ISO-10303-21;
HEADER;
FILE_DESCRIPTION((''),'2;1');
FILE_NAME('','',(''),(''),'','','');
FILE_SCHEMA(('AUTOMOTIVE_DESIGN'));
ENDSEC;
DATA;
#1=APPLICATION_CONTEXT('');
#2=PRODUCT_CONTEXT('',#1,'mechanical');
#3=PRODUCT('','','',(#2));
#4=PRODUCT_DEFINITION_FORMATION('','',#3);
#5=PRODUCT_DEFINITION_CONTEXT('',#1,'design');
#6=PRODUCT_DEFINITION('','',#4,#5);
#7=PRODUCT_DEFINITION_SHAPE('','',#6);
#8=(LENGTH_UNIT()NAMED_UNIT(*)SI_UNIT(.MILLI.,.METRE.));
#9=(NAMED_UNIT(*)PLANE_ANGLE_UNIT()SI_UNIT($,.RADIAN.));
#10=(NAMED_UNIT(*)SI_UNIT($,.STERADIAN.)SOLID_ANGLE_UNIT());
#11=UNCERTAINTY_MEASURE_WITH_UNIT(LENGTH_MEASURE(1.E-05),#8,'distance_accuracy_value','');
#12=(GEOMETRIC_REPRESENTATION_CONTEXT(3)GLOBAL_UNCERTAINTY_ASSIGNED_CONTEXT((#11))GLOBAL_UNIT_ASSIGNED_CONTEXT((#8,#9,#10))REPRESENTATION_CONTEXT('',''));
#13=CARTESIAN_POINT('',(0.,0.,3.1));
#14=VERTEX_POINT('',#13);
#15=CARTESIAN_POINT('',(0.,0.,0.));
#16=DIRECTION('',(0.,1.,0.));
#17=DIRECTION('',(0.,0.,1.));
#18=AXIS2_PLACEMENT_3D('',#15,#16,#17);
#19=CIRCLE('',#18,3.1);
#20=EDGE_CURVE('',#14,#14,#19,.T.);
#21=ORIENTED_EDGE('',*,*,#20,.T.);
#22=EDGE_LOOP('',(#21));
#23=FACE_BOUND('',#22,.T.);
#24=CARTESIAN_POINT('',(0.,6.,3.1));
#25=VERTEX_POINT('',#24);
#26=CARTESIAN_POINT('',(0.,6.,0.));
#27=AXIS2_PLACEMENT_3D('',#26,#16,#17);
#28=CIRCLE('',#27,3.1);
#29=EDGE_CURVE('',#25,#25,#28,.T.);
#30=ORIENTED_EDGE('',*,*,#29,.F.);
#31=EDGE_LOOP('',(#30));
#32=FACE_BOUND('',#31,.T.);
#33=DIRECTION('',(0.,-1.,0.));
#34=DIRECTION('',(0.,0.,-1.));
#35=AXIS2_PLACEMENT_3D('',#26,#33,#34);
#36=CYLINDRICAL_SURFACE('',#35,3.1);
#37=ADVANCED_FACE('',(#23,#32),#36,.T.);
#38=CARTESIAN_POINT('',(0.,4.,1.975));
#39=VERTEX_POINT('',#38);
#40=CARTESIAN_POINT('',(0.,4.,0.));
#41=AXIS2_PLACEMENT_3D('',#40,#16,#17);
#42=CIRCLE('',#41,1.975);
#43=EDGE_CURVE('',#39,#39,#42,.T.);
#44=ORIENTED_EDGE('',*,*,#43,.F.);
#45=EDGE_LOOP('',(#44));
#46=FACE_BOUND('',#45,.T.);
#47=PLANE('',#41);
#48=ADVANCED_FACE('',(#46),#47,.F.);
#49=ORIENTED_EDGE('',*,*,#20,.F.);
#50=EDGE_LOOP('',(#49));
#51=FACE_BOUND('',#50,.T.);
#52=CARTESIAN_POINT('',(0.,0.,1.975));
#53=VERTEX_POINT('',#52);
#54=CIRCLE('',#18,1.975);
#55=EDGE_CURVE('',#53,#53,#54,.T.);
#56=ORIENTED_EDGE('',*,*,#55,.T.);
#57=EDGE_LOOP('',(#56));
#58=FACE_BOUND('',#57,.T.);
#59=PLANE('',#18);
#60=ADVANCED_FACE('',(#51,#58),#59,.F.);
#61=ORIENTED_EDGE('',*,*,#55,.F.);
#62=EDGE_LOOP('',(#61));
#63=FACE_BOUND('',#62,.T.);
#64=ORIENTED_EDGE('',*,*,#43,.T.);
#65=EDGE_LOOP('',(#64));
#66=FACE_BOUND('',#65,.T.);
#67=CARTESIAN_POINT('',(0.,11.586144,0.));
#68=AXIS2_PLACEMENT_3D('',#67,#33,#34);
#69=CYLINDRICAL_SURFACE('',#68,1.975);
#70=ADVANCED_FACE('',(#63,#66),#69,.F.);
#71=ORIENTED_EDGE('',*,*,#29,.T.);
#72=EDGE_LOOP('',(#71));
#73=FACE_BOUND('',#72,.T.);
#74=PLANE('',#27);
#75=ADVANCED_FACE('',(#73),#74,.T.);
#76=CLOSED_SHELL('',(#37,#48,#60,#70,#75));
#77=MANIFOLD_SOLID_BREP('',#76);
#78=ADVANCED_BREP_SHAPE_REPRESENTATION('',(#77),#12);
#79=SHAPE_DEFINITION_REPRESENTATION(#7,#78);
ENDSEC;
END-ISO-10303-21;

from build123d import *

# Parameters (mm, degrees)
SKETCH1_R           = 3.1
SKETCH1_R_2         = 1.975
BOSS_EXTRUDE1_DEPTH = 6
SKETCH1_4_R         = 1.975
CUT_EXTRUDE1_DEPTH  = 4


with BuildPart() as part:
    # Sketch1 → Boss-Extrude1 (new body)
    # profile 1 of 2: a face of its own
    with BuildSketch(Plane(origin=(0, 0, 0), x_dir=(1, 0, 0), z_dir=(0, 1, 0))):
        with Locations(Location((0, 0, 0), (0, 0, 270))):
            Circle(SKETCH1_R)
        Circle(SKETCH1_R_2, mode=Mode.SUBTRACT)
    # profile 2 of 2: a face of its own
    with BuildSketch(Plane(origin=(0, 0, 0), x_dir=(1, 0, 0), z_dir=(0, 1, 0))):
        Circle(SKETCH1_R_2)
    extrude(amount=BOSS_EXTRUDE1_DEPTH)

    # Sketch1<4> → Cut-Extrude1 (cut)
    with BuildSketch(Plane(origin=(0, 0, 0), x_dir=(1, 0, 0), z_dir=(0, 1, 0))):
        with Locations(Location((0, 0, 0), (0, 0, 270))):
            Circle(SKETCH1_4_R)
    extrude(amount=CUT_EXTRUDE1_DEPTH, mode=Mode.SUBTRACT)


solid = part.part
